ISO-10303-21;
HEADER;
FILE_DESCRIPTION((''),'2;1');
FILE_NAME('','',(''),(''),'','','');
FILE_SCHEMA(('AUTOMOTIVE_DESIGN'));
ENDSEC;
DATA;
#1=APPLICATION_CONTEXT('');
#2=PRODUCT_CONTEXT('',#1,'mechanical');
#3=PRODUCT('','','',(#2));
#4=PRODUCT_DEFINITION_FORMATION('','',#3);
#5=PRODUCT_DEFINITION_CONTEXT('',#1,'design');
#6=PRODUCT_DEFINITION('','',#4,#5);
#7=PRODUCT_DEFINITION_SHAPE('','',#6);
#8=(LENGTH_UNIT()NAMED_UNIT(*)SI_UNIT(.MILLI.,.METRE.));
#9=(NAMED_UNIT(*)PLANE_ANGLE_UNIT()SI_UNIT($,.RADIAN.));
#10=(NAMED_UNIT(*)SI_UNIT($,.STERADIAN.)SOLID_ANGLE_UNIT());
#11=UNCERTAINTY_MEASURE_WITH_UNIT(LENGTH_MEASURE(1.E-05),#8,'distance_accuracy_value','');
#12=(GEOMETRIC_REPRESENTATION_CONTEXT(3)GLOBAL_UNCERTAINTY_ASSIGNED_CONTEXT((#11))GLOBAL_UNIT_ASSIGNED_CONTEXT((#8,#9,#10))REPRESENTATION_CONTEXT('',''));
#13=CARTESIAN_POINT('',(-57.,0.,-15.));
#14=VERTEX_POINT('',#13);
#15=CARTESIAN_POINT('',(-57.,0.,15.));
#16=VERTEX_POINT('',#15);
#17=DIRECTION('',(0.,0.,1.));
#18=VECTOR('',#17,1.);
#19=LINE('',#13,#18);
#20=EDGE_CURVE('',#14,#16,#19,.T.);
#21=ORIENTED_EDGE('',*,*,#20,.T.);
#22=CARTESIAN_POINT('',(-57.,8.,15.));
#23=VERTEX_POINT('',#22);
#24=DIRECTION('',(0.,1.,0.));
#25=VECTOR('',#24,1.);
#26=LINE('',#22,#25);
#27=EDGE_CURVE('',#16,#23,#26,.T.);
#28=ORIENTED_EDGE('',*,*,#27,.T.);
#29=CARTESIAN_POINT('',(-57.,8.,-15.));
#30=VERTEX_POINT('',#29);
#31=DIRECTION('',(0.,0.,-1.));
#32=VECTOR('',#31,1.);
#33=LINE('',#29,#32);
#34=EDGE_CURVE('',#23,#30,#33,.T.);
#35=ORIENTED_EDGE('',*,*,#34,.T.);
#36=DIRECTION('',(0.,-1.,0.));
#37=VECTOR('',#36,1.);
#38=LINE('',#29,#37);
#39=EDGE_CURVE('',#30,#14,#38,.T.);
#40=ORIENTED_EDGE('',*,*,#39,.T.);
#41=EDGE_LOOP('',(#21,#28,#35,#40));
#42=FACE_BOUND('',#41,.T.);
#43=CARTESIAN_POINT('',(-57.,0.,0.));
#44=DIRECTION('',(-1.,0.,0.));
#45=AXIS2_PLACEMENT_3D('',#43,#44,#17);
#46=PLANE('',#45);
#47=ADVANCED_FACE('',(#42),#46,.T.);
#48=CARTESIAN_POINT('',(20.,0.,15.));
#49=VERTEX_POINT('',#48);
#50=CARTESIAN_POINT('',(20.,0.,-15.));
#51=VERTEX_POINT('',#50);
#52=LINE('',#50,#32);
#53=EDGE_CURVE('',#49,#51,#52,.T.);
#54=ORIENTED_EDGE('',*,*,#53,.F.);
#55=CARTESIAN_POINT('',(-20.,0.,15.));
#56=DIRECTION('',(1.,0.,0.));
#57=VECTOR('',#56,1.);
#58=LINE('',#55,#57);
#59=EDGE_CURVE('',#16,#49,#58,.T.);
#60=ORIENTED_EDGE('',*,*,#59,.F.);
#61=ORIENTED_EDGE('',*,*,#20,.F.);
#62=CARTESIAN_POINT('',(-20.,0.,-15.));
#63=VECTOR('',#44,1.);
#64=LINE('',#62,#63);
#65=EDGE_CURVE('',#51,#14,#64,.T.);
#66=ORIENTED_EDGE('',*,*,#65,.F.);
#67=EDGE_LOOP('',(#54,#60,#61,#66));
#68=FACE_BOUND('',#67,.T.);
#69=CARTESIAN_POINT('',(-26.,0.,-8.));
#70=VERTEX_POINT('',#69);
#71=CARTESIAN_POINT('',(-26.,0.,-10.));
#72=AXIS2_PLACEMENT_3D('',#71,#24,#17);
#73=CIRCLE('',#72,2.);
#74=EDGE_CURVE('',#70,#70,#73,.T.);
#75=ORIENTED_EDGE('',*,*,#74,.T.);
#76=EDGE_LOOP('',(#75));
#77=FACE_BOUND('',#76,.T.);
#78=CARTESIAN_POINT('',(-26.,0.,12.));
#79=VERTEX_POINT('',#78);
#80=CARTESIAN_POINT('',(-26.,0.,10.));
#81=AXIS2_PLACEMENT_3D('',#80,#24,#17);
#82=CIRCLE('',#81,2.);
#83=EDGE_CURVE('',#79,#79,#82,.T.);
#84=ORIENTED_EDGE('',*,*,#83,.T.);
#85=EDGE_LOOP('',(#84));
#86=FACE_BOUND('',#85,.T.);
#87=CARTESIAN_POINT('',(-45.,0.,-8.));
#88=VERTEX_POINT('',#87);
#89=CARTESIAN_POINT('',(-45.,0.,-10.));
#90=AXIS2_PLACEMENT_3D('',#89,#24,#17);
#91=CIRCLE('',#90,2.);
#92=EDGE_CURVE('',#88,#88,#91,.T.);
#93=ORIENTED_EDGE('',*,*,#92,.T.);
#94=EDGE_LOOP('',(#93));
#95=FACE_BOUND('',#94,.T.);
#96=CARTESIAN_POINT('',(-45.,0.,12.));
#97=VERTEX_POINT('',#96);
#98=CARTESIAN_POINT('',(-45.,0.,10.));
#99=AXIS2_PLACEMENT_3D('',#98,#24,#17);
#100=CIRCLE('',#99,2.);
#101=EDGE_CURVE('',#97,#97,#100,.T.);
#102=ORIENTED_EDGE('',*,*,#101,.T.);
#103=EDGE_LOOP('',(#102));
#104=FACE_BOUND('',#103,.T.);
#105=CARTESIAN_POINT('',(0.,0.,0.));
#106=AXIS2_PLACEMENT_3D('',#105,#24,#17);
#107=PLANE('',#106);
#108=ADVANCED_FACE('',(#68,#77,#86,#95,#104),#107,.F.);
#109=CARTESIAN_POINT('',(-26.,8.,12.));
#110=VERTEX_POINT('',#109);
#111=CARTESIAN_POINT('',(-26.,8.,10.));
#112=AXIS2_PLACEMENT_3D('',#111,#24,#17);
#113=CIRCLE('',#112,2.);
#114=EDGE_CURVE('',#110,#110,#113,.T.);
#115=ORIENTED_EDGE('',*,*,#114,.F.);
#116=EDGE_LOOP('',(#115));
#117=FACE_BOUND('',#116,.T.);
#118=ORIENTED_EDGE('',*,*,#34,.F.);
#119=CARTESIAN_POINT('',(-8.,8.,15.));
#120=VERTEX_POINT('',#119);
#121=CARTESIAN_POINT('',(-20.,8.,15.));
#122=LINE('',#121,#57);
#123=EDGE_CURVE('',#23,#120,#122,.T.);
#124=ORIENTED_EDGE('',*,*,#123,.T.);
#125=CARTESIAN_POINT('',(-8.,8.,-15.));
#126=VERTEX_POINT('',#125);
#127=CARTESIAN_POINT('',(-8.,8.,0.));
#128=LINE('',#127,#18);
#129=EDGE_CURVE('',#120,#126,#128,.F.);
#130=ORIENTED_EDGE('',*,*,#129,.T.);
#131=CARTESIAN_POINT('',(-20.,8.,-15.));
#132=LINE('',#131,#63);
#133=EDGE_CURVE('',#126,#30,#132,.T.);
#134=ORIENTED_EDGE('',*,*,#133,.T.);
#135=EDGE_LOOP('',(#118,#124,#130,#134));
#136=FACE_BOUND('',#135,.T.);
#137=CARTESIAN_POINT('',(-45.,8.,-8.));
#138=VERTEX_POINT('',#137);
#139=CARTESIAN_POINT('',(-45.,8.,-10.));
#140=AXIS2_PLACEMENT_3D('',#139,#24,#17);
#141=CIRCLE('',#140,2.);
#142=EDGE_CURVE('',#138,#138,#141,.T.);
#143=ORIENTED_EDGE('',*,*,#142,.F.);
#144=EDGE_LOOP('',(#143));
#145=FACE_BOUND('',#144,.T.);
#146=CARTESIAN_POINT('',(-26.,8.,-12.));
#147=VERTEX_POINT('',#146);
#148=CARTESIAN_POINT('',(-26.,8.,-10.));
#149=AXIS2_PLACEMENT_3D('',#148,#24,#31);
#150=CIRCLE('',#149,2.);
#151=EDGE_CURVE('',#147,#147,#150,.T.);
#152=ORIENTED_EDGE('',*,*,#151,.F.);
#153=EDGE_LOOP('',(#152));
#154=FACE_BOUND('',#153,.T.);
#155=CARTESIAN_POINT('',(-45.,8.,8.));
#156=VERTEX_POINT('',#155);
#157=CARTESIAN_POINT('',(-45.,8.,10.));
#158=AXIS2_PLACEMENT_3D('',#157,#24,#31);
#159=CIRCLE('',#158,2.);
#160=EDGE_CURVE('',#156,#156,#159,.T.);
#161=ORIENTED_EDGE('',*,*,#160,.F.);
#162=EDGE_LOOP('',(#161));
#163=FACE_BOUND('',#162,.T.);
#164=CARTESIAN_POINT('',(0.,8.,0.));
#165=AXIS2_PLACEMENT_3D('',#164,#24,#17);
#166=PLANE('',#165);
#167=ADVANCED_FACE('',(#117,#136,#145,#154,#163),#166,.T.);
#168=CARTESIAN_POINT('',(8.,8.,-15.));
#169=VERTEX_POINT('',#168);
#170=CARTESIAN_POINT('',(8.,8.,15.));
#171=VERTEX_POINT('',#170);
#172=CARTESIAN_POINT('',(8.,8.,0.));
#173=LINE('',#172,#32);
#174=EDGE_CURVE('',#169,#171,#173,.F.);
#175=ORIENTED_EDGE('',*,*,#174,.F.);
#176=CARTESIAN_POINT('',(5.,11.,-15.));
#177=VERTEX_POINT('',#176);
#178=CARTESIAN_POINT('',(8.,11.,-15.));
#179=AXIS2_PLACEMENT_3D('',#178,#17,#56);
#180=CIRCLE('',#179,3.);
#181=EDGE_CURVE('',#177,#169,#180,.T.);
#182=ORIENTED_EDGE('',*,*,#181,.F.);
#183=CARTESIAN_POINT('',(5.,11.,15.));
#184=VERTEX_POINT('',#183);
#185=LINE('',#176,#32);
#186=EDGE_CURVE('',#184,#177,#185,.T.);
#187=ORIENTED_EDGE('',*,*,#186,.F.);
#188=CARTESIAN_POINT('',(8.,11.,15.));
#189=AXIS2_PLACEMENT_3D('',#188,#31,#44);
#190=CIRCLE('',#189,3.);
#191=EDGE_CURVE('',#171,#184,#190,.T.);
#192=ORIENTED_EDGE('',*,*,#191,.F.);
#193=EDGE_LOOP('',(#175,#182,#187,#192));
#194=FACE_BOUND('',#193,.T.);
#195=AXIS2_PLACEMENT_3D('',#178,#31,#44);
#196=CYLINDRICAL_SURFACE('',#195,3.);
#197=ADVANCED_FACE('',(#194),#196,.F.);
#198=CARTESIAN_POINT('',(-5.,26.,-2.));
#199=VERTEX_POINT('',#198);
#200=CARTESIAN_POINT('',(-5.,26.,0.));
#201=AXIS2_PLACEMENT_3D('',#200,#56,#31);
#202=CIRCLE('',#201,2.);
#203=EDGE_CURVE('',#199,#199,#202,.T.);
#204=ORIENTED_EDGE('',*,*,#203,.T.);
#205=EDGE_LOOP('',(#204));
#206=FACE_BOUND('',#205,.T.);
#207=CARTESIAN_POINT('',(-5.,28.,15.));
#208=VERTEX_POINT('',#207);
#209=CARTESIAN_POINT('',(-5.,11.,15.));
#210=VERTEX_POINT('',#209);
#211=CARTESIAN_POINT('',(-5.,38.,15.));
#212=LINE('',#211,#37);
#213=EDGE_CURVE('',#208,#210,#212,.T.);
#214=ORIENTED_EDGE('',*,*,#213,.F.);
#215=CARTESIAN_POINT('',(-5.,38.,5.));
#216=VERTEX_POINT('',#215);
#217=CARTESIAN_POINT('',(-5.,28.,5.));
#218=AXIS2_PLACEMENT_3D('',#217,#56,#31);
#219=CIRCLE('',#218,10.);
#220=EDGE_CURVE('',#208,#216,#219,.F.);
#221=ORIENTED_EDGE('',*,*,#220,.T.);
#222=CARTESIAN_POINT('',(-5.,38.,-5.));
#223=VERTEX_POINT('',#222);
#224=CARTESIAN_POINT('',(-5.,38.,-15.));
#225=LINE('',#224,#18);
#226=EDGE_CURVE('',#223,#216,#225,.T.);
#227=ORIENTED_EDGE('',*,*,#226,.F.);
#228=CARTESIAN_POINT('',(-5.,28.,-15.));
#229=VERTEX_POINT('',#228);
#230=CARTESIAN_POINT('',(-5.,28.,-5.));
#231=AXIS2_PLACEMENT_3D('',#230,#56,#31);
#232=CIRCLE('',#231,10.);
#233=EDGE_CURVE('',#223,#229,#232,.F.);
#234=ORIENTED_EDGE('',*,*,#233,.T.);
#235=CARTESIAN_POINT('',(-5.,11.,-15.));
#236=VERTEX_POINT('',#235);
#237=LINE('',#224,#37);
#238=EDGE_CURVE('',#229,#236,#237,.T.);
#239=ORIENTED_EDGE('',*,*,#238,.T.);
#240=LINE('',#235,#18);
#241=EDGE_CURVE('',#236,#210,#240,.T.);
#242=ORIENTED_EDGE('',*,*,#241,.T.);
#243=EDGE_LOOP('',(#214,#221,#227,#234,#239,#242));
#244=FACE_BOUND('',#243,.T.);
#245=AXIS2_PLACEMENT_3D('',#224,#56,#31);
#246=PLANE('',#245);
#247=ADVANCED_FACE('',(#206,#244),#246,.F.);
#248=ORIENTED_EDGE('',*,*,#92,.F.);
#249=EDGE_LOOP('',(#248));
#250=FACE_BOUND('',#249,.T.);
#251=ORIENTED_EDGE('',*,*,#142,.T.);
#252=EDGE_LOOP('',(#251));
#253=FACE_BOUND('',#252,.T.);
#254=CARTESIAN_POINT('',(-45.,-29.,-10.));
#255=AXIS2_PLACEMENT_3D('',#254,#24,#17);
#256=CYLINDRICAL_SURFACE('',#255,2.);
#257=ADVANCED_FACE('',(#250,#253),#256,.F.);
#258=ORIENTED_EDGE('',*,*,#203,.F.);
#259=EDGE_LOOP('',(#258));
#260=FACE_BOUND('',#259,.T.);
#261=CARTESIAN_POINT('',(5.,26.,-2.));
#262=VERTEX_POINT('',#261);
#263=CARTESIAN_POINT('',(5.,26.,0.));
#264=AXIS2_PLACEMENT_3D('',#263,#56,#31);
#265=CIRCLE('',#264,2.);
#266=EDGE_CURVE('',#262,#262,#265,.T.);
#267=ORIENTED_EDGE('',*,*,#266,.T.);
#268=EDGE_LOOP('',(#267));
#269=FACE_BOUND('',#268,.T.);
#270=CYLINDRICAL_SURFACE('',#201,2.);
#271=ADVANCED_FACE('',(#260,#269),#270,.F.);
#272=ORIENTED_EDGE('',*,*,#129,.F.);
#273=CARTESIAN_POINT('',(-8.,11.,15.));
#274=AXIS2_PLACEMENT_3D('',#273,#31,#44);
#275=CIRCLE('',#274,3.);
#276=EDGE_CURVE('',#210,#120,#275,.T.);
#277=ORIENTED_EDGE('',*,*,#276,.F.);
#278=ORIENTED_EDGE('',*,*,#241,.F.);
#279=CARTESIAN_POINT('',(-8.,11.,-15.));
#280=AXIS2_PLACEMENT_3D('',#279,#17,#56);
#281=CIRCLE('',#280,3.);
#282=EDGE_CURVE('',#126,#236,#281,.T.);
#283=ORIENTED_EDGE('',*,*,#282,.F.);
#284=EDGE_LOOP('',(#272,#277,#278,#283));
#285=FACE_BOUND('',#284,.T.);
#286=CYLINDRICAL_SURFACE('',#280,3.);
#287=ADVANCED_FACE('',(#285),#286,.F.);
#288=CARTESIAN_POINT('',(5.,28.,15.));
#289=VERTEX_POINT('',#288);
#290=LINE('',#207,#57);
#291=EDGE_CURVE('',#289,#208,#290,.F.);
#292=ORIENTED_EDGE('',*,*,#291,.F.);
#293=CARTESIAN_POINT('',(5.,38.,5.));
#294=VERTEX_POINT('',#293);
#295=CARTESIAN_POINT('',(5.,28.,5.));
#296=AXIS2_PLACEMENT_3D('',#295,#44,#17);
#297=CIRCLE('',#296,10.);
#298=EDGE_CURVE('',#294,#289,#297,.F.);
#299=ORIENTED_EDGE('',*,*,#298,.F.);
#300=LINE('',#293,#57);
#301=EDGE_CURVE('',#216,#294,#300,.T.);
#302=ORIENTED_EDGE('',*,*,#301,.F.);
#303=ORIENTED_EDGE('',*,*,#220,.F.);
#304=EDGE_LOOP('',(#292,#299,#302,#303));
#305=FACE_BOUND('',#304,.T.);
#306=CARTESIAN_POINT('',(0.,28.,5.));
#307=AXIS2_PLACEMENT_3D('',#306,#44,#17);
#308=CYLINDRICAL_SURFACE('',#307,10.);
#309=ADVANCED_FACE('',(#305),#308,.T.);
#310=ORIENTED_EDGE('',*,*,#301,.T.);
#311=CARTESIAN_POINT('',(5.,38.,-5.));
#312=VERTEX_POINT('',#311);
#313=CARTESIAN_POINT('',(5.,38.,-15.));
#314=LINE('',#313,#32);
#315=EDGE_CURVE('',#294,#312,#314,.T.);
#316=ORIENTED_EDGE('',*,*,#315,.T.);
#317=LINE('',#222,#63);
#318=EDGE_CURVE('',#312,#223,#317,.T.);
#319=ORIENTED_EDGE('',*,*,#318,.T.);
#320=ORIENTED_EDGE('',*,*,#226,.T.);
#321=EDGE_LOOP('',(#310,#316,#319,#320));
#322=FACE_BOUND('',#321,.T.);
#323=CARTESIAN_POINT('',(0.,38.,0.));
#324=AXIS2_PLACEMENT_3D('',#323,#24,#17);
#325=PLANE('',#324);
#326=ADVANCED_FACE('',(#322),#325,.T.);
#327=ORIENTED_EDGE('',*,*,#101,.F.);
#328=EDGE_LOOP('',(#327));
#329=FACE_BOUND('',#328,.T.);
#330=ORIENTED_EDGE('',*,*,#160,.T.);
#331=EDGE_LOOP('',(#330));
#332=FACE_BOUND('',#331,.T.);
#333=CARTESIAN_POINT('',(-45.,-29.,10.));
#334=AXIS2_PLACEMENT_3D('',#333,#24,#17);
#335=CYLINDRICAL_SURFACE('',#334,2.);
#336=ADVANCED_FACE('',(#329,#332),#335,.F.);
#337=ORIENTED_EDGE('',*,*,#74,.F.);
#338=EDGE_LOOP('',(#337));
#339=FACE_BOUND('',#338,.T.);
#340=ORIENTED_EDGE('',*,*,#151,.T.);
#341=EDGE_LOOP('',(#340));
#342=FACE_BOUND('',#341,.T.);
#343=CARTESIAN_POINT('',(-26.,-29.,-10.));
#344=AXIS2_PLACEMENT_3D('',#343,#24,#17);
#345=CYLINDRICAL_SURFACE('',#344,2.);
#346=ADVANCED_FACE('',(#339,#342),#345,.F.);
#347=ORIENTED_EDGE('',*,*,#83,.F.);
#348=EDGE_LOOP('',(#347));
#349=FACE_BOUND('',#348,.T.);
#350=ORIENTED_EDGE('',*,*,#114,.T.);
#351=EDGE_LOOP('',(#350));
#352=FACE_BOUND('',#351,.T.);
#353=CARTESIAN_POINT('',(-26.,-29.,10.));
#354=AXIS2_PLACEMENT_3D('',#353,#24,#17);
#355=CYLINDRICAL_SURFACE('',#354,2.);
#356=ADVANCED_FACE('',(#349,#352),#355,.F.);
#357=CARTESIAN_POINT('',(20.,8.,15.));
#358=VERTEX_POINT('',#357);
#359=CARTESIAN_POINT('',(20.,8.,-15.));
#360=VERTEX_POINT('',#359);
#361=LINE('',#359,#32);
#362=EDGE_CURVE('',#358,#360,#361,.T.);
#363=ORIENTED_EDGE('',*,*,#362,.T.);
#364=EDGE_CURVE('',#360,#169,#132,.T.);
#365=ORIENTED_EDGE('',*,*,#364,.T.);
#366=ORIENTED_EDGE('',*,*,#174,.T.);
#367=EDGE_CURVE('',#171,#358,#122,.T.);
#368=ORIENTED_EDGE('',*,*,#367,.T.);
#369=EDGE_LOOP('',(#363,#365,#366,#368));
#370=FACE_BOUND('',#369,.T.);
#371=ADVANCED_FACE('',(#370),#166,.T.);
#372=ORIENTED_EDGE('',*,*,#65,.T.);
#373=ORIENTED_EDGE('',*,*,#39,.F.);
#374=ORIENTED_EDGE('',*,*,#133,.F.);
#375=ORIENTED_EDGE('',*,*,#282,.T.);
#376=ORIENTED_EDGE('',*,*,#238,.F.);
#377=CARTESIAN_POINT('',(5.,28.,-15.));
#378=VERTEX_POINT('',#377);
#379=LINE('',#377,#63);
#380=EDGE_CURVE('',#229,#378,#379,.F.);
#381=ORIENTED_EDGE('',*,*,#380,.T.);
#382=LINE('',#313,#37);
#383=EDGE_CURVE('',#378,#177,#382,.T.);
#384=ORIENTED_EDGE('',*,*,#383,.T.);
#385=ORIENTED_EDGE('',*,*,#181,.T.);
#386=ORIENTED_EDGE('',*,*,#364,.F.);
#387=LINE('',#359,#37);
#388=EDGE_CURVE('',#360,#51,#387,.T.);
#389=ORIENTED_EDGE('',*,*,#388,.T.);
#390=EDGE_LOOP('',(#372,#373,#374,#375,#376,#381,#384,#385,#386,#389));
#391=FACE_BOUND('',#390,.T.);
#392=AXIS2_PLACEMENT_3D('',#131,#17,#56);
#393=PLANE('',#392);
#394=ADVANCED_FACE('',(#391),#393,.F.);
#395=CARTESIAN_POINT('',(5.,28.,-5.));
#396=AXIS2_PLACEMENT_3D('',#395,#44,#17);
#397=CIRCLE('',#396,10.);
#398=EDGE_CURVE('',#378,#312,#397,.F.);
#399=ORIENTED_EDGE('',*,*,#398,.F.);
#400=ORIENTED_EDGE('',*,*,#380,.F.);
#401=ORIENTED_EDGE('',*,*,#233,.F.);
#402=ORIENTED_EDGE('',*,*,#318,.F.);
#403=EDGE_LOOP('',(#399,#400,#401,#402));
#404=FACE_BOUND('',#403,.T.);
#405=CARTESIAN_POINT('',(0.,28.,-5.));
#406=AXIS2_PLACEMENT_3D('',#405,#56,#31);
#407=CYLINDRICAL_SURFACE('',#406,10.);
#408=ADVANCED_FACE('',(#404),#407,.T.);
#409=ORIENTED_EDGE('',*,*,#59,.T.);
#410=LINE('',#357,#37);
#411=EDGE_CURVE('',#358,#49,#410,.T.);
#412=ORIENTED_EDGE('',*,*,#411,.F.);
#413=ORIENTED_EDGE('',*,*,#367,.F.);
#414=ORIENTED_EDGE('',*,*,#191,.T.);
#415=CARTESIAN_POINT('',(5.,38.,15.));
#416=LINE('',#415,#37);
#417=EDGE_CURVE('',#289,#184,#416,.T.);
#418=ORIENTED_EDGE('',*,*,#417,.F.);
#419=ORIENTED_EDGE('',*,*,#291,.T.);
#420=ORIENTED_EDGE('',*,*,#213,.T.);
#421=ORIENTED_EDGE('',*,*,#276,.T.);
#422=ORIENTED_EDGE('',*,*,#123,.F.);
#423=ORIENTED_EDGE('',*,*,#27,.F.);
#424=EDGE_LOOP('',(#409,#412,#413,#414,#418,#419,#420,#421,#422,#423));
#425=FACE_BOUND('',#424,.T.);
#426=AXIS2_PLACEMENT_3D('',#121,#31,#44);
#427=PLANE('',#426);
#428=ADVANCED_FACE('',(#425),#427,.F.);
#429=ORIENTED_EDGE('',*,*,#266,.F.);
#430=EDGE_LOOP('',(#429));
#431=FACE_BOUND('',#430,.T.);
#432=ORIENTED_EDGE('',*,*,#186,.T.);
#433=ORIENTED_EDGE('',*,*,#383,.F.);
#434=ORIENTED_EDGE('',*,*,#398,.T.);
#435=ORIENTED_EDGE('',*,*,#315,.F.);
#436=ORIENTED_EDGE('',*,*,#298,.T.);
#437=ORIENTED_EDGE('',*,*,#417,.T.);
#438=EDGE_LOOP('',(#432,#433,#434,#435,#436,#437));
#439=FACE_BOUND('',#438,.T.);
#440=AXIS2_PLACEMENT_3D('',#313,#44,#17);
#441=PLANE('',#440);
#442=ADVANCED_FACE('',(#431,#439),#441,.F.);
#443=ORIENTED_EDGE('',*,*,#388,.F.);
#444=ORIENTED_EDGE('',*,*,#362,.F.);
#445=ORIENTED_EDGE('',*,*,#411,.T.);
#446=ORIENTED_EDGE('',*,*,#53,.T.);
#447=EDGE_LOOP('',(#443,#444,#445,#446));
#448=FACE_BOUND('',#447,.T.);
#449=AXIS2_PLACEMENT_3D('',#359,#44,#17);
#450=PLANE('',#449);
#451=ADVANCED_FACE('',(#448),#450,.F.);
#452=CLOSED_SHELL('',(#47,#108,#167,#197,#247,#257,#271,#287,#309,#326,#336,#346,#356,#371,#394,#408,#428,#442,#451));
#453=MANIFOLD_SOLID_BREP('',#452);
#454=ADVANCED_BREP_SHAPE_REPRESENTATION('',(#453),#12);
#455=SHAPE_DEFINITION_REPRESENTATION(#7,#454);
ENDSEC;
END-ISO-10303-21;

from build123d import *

# Parameters (mm, degrees)
SKETCH1_W           = 40
SKETCH1_H           = 30
BOSS_EXTRUDE1_DEPTH = 8
SKETCH2_W           = 10
SKETCH2_H           = 30
BOSS_EXTRUDE2_DEPTH = 30
FILLET2_R           = 3
SKETCH4_R           = 2
CUT_EXTRUDE2_DEPTH  = 10
FILLET3_R           = 10
SKETCH5_W           = 30
SKETCH5_H           = 8
BOSS_EXTRUDE3_DEPTH = 37
SKETCH8_R           = 2
CUT_EXTRUDE3_DEPTH  = 37


with BuildPart() as part:
    # Sketch1 → Boss-Extrude1 (new body)
    with BuildSketch(Plane(origin=(0, 0, 0), x_dir=(1, 0, 0), z_dir=(0, 1, 0))):
        Rectangle(SKETCH1_W, SKETCH1_H)
    extrude(amount=BOSS_EXTRUDE1_DEPTH)

    # Sketch2 → Boss-Extrude2 (add)
    with BuildSketch(Plane(origin=(0, 8, 0), x_dir=(1, 0, 0), z_dir=(0, 1, 0))):
        Rectangle(SKETCH2_W, SKETCH2_H)
    extrude(amount=BOSS_EXTRUDE2_DEPTH)

    # Fillet2
    fillet2_edges = [part.edges().sort_by_distance(p)[0] for p in [
        (5, 8, 0),
        (-5, 8, 0),
    ]]
    fillet(fillet2_edges, radius=FILLET2_R)

    # Sketch4 → Cut-Extrude2 (cut)
    with BuildSketch(Plane(origin=(5, 0, 0), x_dir=(0, 0, -1), z_dir=(1, 0, 0))):
        with Locations((0, 26)):
            Circle(SKETCH4_R)
    extrude(amount=-CUT_EXTRUDE2_DEPTH, mode=Mode.SUBTRACT)

    # Fillet3
    fillet3_edges = [part.edges().sort_by_distance(p)[0] for p in [
        (0, 38, -15),
        (0, 38, 15),
    ]]
    fillet(fillet3_edges, radius=FILLET3_R)

    # Sketch5 → Boss-Extrude3 (add)
    with BuildSketch(Plane.ZY.offset(20)):
        with Locations((0, 4)):
            Rectangle(SKETCH5_W, SKETCH5_H)
    extrude(amount=BOSS_EXTRUDE3_DEPTH)

    # Sketch8 → Cut-Extrude3 (cut)
    with BuildSketch(Plane(origin=(0, 8, 0), x_dir=(1, 0, 0), z_dir=(0, 1, 0))):
        with Locations(Location((-45, 10, 0), (0, 0, 270))):
            Circle(SKETCH8_R)
        with Locations(Location((-45, -10, 0), (0, 0, 270))):
            Circle(SKETCH8_R)
        with Locations(Location((-26, -10, 0), (0, 0, 270))):
            Circle(SKETCH8_R)
        with Locations(Location((-26, 10, 0), (0, 0, 270))):
            Circle(SKETCH8_R)
    extrude(amount=-CUT_EXTRUDE3_DEPTH, mode=Mode.SUBTRACT)


solid = part.part
